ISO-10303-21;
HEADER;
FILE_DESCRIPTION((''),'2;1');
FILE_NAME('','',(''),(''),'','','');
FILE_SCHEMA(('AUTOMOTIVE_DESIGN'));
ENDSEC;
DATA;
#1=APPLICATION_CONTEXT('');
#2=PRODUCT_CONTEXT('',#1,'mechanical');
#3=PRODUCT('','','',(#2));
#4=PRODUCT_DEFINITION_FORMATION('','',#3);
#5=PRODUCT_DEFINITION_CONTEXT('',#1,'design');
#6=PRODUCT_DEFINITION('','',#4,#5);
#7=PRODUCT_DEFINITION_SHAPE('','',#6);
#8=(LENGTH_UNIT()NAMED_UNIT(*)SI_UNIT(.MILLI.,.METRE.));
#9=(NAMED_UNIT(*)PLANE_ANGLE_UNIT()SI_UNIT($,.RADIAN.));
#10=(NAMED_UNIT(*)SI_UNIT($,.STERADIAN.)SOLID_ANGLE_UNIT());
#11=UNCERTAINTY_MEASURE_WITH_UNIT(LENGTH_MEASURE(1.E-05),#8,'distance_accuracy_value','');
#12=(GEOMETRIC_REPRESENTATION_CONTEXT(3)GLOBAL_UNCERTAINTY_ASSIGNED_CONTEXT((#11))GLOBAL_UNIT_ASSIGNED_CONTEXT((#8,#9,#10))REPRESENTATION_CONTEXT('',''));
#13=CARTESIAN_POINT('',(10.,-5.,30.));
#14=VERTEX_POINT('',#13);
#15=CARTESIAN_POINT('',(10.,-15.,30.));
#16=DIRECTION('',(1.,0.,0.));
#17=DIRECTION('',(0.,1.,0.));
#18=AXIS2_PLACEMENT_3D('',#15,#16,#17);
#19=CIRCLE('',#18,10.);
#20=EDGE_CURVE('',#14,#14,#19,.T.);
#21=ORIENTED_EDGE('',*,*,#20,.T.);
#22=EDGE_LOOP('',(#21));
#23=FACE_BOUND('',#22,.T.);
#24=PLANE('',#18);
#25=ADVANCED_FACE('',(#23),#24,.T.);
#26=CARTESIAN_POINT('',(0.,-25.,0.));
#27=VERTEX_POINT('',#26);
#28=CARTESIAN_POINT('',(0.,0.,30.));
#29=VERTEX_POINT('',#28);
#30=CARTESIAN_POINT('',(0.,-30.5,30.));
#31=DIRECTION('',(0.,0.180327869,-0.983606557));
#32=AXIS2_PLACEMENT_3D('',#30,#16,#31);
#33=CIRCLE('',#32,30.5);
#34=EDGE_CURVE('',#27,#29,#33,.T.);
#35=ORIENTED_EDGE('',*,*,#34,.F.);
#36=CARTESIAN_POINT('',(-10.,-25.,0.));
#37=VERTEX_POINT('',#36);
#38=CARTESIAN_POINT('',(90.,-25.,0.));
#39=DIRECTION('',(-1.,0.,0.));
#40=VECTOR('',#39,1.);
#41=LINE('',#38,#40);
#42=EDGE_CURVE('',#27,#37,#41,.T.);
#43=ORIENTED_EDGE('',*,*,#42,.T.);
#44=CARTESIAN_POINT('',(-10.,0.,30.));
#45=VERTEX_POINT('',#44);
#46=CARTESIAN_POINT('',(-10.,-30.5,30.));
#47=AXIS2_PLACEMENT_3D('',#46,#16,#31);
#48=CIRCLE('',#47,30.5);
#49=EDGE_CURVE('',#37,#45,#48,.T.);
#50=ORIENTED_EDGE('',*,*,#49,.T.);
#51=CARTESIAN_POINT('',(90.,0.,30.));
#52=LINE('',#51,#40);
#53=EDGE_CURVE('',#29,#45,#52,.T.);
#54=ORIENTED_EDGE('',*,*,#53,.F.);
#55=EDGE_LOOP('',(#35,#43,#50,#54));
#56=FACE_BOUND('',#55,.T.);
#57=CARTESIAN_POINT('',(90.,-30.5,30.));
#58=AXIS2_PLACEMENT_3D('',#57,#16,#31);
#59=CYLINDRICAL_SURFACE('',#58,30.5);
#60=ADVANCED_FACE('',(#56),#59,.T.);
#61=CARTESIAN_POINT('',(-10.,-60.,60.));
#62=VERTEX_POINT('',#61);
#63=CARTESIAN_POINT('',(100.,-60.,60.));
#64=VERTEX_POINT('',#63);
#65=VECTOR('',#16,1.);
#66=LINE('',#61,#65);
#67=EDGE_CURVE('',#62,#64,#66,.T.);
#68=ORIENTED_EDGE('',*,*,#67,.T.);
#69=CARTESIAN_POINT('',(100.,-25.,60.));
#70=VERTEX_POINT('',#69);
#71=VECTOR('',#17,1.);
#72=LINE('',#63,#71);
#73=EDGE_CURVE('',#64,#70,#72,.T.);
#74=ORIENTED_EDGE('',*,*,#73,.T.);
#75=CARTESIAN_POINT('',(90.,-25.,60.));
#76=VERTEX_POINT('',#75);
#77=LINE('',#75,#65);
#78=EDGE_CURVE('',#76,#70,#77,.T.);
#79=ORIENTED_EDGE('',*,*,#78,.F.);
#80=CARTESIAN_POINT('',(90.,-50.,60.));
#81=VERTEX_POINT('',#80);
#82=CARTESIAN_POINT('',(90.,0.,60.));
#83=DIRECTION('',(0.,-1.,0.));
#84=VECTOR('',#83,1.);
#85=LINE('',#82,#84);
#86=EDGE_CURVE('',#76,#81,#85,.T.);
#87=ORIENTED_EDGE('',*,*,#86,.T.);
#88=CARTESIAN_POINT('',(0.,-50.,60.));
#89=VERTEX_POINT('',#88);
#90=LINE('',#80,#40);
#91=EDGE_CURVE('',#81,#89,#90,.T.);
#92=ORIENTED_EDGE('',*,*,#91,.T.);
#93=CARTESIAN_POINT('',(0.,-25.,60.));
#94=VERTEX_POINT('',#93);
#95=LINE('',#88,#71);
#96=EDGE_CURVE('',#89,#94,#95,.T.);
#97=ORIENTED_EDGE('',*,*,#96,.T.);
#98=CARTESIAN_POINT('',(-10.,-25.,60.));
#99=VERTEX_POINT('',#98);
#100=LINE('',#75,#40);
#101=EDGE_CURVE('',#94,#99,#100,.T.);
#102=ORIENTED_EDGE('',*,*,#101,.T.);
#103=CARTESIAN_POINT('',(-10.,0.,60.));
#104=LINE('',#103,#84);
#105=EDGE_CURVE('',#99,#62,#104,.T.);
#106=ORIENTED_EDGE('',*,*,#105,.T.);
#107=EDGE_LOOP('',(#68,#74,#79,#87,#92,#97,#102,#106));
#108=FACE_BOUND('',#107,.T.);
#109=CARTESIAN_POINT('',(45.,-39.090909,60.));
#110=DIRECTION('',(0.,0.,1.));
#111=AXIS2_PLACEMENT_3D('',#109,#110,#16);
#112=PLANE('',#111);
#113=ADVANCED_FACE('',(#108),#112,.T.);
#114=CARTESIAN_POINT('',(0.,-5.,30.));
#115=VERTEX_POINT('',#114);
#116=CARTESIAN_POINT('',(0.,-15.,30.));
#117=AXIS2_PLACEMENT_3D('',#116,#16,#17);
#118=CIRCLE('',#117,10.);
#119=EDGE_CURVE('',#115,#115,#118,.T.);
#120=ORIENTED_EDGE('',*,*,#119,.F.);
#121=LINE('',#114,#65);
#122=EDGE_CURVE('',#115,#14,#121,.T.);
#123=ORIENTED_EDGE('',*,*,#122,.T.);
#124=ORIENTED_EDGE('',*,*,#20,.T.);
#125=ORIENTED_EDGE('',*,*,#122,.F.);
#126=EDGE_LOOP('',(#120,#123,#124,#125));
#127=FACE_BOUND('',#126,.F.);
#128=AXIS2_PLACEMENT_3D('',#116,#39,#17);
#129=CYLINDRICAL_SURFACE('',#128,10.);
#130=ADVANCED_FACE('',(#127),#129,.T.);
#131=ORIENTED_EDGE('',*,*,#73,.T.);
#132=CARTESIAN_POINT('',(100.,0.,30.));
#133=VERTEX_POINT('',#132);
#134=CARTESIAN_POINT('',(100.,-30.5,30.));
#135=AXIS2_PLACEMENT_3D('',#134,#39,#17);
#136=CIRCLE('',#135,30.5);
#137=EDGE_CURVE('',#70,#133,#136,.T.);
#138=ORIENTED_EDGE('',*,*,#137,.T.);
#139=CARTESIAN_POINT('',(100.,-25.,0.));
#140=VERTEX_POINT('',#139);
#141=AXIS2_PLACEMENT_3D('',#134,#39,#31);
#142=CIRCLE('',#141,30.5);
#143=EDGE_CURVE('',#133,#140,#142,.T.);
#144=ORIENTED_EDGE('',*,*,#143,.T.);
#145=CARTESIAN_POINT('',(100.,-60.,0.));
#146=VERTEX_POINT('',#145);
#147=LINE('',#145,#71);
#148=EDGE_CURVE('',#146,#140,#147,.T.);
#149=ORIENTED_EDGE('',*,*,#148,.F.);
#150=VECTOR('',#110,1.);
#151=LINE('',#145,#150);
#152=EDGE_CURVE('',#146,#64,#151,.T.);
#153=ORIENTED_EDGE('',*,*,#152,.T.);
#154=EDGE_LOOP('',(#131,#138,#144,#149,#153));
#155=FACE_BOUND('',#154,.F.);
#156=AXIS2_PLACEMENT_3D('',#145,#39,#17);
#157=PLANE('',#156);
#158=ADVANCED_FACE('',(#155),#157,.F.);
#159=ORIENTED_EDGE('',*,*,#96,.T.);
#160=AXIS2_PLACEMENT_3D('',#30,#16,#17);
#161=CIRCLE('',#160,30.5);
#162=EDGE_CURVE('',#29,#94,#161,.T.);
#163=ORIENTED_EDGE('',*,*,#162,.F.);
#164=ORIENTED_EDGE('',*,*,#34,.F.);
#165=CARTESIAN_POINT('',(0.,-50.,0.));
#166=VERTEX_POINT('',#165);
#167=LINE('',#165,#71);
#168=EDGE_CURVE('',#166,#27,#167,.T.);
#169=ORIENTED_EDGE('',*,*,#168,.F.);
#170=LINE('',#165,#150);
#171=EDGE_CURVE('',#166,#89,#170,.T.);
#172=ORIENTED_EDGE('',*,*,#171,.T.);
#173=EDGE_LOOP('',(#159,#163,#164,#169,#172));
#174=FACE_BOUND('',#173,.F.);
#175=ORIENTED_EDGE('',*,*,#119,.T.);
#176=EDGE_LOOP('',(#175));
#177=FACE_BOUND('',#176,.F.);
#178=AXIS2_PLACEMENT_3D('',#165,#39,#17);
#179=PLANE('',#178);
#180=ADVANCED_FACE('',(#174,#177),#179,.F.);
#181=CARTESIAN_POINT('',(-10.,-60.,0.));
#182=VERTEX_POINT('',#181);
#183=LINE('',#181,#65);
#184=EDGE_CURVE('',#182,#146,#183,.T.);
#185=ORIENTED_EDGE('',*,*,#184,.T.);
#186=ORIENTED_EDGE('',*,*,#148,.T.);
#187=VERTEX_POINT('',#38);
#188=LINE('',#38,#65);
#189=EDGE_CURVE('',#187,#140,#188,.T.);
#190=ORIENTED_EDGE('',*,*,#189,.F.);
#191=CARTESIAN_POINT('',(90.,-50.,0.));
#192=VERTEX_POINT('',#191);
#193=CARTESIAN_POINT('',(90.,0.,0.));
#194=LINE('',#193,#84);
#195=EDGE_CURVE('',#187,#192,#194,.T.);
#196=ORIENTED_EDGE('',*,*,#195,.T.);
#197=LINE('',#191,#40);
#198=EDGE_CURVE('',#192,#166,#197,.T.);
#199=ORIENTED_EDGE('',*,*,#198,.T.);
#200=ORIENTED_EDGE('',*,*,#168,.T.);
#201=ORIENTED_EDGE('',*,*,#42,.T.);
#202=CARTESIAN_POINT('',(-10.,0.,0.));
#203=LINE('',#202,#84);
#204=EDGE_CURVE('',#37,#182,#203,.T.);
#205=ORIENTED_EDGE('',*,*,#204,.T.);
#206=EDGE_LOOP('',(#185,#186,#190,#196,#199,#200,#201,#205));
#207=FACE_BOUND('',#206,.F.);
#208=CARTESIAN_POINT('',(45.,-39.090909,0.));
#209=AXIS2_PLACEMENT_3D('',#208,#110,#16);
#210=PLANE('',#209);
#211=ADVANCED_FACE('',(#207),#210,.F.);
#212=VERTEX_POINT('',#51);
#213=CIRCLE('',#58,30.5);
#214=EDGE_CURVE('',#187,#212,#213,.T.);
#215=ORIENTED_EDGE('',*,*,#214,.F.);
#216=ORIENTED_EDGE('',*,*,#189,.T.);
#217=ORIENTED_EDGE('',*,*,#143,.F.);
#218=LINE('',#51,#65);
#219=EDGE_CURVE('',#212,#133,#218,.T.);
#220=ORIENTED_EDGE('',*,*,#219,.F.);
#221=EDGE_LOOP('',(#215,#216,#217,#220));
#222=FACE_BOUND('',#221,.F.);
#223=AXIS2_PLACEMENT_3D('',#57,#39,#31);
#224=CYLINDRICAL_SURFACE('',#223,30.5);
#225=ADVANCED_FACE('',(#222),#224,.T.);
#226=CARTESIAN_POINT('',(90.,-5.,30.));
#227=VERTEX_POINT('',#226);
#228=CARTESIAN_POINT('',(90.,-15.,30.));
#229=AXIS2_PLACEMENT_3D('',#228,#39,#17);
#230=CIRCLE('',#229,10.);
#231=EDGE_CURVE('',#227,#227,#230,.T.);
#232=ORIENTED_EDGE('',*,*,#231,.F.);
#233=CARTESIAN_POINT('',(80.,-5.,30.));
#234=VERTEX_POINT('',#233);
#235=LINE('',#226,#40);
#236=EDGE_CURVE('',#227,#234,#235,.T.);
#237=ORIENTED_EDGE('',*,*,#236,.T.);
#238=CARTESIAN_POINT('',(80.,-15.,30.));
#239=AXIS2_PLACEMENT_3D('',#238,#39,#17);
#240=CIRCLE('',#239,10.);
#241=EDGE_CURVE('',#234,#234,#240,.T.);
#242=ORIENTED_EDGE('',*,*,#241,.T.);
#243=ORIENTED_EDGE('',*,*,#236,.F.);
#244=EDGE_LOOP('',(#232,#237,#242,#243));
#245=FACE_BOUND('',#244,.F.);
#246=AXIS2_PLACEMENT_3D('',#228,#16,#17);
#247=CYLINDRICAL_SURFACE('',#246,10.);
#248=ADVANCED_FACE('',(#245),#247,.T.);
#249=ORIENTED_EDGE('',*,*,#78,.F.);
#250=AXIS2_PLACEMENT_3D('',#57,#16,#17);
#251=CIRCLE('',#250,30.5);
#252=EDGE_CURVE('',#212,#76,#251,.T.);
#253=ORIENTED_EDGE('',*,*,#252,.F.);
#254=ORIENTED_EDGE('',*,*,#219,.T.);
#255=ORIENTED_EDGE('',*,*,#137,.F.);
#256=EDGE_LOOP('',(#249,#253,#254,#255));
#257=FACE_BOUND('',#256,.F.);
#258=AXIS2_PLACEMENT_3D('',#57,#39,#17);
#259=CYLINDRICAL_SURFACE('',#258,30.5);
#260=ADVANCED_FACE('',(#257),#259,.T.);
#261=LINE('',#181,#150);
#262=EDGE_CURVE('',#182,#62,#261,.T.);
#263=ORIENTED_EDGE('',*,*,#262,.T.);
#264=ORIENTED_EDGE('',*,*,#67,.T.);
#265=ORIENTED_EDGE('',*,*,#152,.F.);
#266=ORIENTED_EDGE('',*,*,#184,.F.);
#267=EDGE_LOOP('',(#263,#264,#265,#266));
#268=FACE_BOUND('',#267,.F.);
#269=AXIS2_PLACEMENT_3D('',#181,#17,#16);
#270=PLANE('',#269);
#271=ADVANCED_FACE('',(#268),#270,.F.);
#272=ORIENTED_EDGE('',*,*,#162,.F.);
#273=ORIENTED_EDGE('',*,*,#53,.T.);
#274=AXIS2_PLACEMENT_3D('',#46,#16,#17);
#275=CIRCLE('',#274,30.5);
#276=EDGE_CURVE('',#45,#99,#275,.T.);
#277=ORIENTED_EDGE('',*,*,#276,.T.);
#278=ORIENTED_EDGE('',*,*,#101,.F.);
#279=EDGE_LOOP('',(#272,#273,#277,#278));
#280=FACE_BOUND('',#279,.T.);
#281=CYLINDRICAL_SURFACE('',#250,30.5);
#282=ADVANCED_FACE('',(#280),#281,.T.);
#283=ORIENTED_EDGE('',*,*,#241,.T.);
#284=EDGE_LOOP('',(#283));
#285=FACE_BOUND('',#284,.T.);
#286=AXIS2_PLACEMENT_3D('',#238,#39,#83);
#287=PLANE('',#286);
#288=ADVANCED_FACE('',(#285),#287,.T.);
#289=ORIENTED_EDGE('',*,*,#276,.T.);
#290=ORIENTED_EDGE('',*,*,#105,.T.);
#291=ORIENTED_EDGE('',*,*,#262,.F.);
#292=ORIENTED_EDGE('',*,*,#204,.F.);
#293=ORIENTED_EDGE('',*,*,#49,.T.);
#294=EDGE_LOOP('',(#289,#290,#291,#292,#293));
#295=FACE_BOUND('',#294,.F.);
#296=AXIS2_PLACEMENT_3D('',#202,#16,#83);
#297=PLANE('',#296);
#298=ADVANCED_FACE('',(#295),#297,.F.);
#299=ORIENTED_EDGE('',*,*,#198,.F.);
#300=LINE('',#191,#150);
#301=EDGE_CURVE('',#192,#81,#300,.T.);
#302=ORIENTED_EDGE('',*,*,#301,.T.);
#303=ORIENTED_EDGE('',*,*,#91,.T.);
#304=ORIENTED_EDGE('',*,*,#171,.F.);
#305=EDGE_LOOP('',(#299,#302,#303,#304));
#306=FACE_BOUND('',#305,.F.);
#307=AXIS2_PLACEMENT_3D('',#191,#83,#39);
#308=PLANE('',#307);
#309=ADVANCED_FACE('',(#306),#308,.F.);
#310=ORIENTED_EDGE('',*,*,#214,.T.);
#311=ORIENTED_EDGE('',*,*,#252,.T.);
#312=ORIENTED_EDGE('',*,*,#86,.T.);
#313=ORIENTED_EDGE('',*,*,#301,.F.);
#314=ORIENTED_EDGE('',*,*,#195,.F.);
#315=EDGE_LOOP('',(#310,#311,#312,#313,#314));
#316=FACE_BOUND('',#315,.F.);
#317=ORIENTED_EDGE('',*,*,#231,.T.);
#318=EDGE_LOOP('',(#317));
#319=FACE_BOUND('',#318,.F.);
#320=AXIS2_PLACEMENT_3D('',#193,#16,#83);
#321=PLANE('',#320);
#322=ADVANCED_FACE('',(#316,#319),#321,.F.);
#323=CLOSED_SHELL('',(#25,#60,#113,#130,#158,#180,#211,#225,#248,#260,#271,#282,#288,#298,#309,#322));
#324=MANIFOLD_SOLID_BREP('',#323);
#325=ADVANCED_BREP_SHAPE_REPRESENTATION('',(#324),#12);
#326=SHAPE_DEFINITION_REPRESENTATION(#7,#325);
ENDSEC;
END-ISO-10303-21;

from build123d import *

# Parameters (mm, degrees)
F1_DEPTH = 60
F4_DEPTH = 10
F3_R     = 10
F5_DEPTH = 10
F6_DEPTH = 25
F7_DEPTH = 1000


with BuildPart() as f1:
    # F0 (on Top) → F1 (new body)
    with BuildSketch(Plane.XY):
        Polygon((0, -50), (0, 0), (-10, 0), (-10, -60), (100, -60), (100, 0), (90, 0), (90, -50), align=None)
    extrude(amount=F1_DEPTH)

    # F2 (on face) → F4 (join)
    with BuildSketch(Plane(origin=(90, 0, 0), x_dir=(0, -1, 0), z_dir=(-1, 0, 0))):
        with BuildLine():
            ThreePointArc((25, 30), (15, 40), (5, 30))
            ThreePointArc((5, 30), (15, 20), (25, 30))
        make_face()
    extrude(amount=F4_DEPTH)

    # F3 (on face) → F5 (join)
    with BuildSketch(Plane.YZ):
        with Locations((-15, 30)):
            Circle(F3_R)
    extrude(amount=F5_DEPTH)

    # F2 (on face) → F6 (cut)
    with BuildSketch(Plane(origin=(90, 0, 0), x_dir=(0, -1, 0), z_dir=(-1, 0, 0))):
        with BuildLine():
            Line((0, 60), (0, 30))
            ThreePointArc((0, 30), (7.0692509723, 49.5256241898), (25, 60))
            Line((25, 60), (0, 60))
        make_face()
        with BuildLine():
            Line((0, 30), (0, 0))
            Line((0, 0), (25, 0))
            ThreePointArc((25, 0), (7.0692509723, 10.4743758102), (0, 30))
        make_face()
    extrude(amount=-F6_DEPTH, mode=Mode.SUBTRACT)

    # F2 (on face) → F7 (cut)
    with BuildSketch(Plane(origin=(90, 0, 0), x_dir=(0, -1, 0), z_dir=(-1, 0, 0))):
        with BuildLine():
            Line((0, 60), (0, 30))
            ThreePointArc((0, 30), (7.0692509723, 49.5256241898), (25, 60))
            Line((25, 60), (0, 60))
        make_face()
        with BuildLine():
            Line((0, 30), (0, 0))
            Line((0, 0), (25, 0))
            ThreePointArc((25, 0), (7.0692509723, 10.4743758102), (0, 30))
        make_face()
    extrude(amount=F7_DEPTH, mode=Mode.SUBTRACT)


solid = f1.part
